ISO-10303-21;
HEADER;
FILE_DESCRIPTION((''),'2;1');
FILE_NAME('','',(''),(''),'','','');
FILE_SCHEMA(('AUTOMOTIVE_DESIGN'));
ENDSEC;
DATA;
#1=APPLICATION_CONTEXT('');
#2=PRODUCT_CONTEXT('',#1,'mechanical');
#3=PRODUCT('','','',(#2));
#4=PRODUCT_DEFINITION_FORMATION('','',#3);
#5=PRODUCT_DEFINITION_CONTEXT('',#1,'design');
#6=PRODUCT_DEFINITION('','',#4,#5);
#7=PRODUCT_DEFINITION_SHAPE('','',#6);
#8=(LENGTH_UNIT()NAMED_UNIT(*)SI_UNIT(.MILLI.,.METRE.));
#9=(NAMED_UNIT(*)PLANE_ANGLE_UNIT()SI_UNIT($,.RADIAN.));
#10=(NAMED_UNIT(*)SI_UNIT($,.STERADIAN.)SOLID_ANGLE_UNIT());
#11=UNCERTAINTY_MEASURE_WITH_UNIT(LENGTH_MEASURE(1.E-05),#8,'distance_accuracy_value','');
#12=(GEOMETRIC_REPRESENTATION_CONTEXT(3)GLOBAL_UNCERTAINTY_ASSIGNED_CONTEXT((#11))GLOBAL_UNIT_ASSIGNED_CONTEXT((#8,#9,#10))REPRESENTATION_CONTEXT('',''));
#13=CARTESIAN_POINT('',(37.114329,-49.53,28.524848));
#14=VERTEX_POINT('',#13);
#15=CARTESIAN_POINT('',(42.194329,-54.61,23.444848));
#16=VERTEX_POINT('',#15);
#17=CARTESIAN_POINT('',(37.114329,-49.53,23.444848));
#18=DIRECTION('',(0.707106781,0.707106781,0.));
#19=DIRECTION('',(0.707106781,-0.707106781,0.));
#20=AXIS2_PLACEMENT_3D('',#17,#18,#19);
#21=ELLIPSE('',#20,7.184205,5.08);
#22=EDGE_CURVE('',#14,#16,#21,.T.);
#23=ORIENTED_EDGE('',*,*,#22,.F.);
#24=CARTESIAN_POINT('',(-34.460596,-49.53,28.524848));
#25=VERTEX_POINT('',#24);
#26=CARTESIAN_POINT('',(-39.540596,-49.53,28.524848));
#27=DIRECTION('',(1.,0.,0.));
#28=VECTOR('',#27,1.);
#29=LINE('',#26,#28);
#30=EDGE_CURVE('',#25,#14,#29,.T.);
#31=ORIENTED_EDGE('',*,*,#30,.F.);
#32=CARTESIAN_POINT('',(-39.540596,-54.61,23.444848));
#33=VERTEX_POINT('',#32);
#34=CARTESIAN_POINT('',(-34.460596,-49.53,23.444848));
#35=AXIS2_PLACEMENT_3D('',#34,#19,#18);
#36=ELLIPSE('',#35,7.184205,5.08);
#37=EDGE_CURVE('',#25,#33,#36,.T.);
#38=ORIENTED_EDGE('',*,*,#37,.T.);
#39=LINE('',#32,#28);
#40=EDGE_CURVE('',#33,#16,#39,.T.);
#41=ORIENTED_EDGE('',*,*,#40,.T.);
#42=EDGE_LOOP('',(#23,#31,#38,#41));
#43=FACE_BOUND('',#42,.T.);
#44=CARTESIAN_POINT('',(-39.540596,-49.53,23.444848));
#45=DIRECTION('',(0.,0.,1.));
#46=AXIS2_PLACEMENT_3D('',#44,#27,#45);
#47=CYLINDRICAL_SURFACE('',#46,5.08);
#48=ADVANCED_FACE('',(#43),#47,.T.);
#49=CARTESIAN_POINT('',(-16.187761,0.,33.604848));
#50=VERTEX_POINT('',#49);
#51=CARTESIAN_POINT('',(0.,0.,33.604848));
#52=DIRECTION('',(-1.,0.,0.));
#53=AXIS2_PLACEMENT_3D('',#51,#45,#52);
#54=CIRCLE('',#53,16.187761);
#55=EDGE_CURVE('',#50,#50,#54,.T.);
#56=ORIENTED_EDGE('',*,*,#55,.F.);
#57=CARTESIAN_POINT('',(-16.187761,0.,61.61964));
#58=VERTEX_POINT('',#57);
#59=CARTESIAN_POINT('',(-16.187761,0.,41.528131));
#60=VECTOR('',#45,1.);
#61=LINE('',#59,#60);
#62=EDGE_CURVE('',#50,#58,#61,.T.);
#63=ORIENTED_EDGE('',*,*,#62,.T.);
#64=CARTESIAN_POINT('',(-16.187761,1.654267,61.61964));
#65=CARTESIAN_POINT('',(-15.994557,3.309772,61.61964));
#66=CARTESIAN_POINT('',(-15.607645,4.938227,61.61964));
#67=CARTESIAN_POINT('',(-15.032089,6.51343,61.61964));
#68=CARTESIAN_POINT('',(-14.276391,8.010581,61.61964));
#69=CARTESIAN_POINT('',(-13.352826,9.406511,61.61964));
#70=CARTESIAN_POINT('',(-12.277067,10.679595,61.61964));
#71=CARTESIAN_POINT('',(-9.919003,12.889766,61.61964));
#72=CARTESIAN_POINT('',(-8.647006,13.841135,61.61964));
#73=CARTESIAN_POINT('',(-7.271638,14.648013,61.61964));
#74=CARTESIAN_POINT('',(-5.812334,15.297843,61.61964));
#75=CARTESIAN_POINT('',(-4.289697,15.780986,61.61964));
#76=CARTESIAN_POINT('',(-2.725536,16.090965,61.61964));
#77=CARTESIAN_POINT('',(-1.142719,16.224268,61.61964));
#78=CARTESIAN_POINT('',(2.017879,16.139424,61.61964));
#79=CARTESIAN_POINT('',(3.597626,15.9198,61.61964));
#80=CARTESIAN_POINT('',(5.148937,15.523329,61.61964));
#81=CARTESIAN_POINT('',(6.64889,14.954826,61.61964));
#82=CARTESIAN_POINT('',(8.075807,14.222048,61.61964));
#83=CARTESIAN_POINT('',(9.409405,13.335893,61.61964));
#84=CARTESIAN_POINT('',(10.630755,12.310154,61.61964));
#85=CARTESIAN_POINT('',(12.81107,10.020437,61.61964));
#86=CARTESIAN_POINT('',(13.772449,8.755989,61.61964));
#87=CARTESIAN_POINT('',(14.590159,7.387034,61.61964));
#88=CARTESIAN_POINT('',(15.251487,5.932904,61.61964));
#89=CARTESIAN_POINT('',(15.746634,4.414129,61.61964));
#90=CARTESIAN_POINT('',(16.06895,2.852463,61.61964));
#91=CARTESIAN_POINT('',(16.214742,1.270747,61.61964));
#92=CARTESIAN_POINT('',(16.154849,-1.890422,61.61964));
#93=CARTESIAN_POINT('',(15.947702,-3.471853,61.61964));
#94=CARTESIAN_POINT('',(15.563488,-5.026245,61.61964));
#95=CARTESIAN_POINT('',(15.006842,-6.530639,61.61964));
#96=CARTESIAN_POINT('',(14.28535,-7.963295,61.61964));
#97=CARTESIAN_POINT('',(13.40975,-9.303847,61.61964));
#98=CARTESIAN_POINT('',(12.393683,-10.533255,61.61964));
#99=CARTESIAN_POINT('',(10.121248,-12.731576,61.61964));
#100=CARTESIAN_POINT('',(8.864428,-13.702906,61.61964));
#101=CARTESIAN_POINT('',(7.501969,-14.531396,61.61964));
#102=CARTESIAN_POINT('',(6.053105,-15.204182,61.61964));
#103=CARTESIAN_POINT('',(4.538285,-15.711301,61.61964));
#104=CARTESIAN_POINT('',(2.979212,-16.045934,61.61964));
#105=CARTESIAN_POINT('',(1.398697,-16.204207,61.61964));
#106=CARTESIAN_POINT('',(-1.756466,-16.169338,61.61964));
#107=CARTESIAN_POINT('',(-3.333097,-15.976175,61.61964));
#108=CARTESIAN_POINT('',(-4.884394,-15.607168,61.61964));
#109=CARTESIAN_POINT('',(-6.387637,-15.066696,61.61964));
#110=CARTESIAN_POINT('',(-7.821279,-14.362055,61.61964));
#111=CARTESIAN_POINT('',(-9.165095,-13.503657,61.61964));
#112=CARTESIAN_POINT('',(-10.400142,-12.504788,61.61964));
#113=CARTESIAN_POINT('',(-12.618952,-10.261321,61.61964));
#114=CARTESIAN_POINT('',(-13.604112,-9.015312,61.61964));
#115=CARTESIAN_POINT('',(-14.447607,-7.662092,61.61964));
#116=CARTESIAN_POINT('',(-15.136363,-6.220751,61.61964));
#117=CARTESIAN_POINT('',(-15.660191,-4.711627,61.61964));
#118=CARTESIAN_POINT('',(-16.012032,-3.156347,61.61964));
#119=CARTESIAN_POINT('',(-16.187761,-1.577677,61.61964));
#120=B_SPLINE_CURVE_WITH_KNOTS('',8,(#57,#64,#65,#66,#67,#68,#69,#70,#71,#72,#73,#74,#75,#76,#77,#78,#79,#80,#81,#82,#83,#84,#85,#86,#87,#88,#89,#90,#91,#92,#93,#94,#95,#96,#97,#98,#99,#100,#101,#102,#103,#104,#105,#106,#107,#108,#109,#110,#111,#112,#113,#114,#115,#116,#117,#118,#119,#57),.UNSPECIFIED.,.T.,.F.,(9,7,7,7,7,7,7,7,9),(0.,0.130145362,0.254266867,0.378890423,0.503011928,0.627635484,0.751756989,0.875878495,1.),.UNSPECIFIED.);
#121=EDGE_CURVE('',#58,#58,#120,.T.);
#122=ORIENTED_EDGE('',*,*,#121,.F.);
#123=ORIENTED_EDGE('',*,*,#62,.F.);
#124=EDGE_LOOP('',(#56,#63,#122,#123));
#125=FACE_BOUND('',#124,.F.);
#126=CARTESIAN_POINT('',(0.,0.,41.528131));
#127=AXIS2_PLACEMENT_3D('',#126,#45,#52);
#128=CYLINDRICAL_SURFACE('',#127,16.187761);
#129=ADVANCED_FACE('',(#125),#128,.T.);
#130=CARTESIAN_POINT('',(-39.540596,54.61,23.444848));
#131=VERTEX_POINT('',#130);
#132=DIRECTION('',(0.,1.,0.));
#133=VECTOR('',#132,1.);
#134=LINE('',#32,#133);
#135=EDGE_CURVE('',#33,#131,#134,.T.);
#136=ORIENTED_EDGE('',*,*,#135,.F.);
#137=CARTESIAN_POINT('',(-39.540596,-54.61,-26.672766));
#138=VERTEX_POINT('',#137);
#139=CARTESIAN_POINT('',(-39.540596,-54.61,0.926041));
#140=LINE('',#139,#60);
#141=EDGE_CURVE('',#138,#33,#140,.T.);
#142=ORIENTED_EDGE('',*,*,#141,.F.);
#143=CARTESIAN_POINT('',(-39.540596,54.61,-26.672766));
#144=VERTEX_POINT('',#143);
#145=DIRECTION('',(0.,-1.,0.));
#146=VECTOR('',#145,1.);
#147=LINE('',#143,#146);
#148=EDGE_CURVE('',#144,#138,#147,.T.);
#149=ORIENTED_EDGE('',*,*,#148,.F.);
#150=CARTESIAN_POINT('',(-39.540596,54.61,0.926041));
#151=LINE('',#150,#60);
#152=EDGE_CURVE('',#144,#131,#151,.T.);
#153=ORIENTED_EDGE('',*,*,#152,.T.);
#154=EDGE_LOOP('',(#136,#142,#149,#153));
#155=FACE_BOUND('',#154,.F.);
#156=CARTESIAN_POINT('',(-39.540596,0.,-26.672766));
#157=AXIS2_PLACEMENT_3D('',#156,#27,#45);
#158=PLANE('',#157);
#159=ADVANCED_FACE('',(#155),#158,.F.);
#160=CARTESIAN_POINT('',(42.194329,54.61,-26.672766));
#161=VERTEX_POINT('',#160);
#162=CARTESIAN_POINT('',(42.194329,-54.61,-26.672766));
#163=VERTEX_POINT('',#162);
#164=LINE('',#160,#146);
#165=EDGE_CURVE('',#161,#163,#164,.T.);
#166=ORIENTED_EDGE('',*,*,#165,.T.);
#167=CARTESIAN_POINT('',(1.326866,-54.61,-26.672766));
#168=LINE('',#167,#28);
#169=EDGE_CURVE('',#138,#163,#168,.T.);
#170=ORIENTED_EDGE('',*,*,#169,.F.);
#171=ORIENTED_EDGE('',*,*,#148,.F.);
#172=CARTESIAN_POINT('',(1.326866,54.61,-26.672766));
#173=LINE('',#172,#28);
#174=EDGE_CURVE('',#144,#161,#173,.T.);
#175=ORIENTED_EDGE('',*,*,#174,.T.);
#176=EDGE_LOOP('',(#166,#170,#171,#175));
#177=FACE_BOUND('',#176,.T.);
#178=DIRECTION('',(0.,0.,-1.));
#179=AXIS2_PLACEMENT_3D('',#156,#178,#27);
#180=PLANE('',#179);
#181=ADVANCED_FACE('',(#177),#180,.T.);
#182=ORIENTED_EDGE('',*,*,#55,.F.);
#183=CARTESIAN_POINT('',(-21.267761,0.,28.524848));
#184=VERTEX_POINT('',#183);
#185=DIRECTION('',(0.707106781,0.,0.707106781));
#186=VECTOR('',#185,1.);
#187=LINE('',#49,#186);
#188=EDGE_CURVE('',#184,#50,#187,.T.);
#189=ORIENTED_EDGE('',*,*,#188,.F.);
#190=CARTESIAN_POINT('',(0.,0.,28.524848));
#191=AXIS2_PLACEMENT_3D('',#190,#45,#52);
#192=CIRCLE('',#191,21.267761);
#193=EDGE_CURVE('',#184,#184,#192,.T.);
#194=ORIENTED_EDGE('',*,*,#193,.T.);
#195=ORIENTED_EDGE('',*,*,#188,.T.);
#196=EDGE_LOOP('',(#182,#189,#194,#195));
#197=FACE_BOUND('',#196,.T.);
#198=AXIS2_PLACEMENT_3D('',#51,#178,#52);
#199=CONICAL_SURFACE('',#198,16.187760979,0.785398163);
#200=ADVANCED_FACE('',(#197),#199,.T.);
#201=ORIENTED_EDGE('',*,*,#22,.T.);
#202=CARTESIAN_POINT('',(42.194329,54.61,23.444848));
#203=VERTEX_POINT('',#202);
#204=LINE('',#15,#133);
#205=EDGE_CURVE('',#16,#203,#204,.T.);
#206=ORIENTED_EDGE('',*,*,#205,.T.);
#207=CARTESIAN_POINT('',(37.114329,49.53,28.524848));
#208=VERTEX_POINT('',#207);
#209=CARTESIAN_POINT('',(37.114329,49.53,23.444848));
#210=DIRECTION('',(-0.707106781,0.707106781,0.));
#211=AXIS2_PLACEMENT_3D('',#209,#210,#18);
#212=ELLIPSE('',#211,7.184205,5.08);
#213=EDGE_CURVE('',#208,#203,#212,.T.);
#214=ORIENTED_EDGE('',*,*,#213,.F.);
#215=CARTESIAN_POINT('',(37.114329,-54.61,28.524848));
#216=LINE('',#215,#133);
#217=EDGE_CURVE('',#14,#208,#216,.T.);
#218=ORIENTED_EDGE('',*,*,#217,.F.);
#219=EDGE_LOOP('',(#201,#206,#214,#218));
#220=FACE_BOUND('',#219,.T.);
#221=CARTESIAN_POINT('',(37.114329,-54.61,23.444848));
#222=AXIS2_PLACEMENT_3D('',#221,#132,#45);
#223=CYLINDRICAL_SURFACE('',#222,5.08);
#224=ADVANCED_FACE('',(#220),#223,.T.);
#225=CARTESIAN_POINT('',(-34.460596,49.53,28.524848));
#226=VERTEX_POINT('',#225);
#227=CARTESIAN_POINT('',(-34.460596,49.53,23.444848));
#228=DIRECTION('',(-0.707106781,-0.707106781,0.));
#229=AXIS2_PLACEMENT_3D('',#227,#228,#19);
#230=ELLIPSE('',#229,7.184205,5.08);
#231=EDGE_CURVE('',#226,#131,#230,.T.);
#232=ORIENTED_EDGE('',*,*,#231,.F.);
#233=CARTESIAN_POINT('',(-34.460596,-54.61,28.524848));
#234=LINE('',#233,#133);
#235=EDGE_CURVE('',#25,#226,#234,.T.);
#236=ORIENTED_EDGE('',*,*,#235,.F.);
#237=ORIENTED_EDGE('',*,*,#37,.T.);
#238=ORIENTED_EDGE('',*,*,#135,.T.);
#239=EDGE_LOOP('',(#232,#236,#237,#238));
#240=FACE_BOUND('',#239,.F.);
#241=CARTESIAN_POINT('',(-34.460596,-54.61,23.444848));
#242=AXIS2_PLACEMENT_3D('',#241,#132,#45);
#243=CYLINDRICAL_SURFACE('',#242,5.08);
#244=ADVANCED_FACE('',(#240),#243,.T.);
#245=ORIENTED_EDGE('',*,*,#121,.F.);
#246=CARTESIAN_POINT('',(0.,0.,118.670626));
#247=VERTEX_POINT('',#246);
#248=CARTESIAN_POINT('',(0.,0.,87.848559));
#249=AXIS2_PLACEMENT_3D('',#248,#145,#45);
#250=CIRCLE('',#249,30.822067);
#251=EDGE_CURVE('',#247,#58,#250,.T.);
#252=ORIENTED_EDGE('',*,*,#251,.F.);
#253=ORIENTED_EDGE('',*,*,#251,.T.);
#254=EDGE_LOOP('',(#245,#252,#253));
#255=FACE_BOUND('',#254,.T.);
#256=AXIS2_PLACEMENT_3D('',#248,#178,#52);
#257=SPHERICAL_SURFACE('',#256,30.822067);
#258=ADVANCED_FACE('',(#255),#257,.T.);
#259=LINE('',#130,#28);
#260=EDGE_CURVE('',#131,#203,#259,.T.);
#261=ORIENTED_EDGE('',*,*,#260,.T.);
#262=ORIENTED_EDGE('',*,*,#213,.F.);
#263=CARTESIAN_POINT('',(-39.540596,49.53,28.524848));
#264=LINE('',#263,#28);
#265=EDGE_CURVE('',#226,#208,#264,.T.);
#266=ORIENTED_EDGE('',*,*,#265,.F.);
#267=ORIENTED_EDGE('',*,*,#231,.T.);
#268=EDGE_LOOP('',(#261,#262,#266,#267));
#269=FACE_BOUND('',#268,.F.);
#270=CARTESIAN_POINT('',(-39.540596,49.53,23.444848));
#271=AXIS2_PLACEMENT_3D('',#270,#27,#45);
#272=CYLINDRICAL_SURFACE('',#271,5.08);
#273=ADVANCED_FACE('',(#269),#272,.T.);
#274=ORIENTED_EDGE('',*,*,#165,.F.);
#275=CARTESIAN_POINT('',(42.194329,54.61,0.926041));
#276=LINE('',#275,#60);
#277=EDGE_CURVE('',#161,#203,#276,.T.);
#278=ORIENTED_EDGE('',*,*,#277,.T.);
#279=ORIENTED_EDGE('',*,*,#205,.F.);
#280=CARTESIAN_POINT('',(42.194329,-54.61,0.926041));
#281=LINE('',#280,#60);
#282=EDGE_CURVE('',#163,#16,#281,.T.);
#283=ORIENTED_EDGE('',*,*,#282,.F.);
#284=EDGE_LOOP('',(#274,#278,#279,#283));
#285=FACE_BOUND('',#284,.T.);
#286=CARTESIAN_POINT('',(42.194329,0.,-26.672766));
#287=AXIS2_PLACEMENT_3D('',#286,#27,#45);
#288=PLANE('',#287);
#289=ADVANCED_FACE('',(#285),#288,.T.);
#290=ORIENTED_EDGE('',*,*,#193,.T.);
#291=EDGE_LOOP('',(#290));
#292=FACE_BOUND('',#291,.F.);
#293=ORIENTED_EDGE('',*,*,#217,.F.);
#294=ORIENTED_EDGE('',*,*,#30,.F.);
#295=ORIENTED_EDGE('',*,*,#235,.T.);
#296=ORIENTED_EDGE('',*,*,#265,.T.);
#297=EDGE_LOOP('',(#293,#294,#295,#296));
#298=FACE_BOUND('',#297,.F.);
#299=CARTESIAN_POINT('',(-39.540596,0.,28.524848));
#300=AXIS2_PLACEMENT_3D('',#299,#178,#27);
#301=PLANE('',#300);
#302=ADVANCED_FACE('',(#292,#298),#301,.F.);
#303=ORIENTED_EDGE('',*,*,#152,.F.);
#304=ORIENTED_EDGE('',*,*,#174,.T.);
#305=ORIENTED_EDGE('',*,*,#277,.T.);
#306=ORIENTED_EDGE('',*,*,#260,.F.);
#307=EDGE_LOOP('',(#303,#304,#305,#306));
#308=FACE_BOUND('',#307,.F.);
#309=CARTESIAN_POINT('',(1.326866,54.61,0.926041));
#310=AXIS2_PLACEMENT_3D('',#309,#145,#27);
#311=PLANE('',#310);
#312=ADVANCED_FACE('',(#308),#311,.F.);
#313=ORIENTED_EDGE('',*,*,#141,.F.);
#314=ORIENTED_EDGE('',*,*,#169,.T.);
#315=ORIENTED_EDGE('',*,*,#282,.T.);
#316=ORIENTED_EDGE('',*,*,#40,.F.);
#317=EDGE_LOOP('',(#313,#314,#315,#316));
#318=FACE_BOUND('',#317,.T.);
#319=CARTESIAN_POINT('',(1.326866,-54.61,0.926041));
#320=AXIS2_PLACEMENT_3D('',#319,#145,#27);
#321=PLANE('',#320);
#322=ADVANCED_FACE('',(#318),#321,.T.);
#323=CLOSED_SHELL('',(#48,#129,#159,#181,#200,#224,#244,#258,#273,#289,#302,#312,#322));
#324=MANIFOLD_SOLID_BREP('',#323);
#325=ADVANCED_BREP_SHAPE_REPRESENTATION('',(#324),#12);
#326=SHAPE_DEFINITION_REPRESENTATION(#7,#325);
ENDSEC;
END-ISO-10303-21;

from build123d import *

# Parameters (mm, degrees)
F0_W     = 81.7349255085
F0_H     = 55.1976133138
F1_DEPTH = 54.61
F2_W     = 16.1877609789
F2_H     = 56.2591040507
F6_R     = 5.08
F7_SIZE  = 5.08


with BuildPart() as f1:
    # F0 (on Front) → F1 (new body, symmetric)
    with BuildSketch(Plane.XZ):
        with Locations((1.3268664479, 0.9260410443)):
            Rectangle(F0_W, F0_H)
    extrude(amount=F1_DEPTH, both=True)

    # F2 (on Front) → F3 (revolve)
    with BuildSketch(Plane.XZ):
        with Locations((-8.0938804895, 41.5281313471)):
            Rectangle(F2_W, F2_H)
    revolve(axis=Axis((0, 0, 41.5281313471), (0, 0, -1)))

    # F4 (on Front) → F5 (revolve)
    with BuildSketch(Plane.XZ):
        with BuildLine():
            Line((0, 57.0264922878), (0, 118.6706257561))
            ThreePointArc((0, 118.6706257561), (-30.8220667341, 87.8485590219), (0, 57.0264922878))
        make_face()
    revolve(axis=Axis((0, 0, 87.8485590219), (0, 0, -1)))

    # F6
    f6_edges = [f1.edges().sort_by_distance(p)[0] for p in [
        (1.326866, -54.61, 28.524848),
        (42.194329, 0, 28.524848),
        (1.326866, 54.61, 28.524848),
        (-39.540596, 0, 28.524848),
    ]]
    fillet(f6_edges, radius=F6_R)

    # F7
    f7_edges = [f1.edges().sort_by_distance(p)[0] for p in [
        (16.187761, 0, 28.524848),
    ]]
    chamfer(f7_edges, length=F7_SIZE)


solid = f1.part
